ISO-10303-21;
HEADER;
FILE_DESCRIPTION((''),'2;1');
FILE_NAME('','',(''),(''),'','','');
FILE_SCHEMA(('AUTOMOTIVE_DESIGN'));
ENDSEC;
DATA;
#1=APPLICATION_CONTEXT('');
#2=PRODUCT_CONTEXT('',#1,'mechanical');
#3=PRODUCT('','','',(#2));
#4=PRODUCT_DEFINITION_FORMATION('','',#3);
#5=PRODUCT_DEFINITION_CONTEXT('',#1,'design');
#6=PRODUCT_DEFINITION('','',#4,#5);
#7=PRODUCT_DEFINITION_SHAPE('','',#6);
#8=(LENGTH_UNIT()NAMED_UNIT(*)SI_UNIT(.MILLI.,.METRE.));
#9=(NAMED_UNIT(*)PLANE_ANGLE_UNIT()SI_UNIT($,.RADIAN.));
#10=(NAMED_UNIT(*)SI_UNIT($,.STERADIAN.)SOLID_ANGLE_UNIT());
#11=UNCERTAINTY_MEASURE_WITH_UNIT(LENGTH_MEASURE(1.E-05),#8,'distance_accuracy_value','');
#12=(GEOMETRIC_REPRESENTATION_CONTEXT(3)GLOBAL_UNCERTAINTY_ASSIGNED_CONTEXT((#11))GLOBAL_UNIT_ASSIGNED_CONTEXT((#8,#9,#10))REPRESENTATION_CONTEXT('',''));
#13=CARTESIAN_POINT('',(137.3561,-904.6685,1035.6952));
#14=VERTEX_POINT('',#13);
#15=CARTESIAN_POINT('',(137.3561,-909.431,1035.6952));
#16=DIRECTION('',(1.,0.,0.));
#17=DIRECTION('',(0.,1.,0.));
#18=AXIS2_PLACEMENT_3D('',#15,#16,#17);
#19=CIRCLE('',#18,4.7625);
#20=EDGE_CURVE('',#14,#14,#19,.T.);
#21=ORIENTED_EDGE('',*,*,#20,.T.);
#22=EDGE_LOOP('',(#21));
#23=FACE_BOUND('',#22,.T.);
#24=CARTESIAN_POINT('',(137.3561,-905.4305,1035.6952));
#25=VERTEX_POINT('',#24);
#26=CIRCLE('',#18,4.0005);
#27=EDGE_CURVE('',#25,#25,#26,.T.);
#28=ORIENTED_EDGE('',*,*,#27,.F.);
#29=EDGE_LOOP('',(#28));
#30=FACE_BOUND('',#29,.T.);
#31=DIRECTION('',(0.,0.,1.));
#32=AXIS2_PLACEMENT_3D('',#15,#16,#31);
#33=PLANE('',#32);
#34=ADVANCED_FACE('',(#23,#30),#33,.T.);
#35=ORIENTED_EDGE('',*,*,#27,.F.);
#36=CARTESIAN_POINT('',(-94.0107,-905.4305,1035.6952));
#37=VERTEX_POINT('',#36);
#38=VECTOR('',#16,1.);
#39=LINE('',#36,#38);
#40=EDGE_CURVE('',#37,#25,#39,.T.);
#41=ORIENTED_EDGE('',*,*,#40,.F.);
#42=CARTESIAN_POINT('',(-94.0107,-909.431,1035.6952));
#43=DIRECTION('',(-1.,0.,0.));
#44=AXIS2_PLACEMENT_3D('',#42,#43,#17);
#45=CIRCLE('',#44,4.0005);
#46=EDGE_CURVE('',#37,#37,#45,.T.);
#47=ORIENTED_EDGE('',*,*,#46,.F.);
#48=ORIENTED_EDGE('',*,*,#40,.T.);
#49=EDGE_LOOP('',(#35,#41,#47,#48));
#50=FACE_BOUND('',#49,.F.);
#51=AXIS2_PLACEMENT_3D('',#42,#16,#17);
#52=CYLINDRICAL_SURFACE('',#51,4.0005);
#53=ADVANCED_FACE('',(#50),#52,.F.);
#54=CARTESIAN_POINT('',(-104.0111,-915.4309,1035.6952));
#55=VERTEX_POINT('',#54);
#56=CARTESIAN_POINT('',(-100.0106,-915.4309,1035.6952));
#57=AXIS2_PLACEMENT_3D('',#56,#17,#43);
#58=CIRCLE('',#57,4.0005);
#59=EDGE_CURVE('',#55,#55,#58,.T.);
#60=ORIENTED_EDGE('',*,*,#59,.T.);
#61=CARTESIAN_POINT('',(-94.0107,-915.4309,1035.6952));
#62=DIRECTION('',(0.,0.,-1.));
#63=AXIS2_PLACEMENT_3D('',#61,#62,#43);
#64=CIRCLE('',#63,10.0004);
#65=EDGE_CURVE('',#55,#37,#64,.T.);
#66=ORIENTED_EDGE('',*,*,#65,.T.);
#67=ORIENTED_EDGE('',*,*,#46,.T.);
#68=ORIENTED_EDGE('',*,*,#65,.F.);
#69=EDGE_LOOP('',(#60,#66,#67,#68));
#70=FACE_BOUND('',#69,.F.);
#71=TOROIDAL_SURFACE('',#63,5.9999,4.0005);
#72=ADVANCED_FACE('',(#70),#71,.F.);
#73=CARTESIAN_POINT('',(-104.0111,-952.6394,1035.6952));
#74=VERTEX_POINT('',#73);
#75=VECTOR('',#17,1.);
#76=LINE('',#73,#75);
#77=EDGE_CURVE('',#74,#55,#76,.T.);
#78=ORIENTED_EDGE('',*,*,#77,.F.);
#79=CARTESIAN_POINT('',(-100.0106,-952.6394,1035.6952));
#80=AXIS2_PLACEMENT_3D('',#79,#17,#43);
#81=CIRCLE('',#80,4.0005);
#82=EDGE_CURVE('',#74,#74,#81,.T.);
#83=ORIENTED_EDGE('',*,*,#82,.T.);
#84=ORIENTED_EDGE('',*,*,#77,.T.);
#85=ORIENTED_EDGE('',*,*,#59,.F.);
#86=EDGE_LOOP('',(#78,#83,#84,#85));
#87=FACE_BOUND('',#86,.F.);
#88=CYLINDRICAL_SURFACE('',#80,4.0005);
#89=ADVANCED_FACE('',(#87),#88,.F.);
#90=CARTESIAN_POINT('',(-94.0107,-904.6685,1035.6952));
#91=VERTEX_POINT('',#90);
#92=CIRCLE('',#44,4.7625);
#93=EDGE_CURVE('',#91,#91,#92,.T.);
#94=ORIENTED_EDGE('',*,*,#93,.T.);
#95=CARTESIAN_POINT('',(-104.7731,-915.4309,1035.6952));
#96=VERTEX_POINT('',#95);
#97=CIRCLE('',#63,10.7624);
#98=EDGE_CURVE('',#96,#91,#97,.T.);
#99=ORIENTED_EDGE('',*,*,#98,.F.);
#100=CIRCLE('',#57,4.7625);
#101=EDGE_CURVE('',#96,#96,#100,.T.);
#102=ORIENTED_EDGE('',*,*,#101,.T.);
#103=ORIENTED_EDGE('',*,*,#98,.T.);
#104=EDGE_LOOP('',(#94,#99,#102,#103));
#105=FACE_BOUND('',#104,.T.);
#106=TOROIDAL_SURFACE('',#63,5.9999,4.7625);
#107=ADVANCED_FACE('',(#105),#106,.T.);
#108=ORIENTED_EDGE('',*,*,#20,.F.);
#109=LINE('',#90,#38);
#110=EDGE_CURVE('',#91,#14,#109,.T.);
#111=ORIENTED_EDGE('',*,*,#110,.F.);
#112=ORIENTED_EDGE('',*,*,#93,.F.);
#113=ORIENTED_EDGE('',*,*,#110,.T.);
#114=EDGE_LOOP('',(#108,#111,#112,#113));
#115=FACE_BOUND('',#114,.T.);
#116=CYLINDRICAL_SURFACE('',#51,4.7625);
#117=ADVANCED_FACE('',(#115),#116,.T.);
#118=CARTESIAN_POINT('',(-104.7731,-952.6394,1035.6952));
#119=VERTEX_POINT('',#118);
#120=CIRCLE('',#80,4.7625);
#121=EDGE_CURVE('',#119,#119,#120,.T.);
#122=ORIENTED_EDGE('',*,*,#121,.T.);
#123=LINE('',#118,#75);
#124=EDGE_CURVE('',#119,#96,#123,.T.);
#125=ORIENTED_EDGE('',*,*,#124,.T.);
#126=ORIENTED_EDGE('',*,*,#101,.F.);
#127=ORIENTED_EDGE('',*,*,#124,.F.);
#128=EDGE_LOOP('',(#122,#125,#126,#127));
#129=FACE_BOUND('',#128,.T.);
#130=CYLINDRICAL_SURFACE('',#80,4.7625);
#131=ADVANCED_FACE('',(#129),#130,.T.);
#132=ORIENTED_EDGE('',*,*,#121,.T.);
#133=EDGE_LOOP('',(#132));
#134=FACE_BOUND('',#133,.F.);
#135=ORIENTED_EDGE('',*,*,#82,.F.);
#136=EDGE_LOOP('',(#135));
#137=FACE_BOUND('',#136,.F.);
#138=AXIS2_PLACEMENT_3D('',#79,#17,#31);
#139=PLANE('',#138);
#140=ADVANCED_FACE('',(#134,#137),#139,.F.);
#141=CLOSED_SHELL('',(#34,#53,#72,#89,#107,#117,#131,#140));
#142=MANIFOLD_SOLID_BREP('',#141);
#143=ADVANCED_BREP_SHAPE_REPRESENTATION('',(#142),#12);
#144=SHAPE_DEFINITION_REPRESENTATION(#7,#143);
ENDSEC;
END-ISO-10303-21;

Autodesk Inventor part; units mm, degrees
ref_plane "YZ Plane" through (0, 0, 0) normal (1, 0, 0) x (0, 1, 0)
ref_plane "XZ Plane" through (0, 0, 0) normal (0, 1, 0) x (-1, 0, 0)
ref_plane "Work Plane1" through (-100.0106, -952.6394, 1035.6952) normal (0, 1, 0) x (-1, 0, 0)
sketch "Sketch3" plane through (-100.0106, -952.6394, 1035.6952) normal (0, 1, 0) x (-1, 0, 0)
  circle A0 centre (0, 0) radius 4.7625
  circle A1 centre (0, 0) radius 4.0005
sketch3d "3D Sketch1"
  line L0 (-100.0106, -952.6394, 1035.6952) -> (-100.0106, -915.4309, 1035.6952)
  arc A0 (-100.0106, -915.4309, 1035.6952) -> (-94.0107, -909.431, 1035.6952) centre (-94.0107, -915.4309, 1035.6952) ccw
  line L1 (-94.0107, -909.431, 1035.6952) -> (137.3561, -909.431, 1035.6952)
  dimension "d4" = 5.9999
sweep "Sweep1" add profiles "Sketch3" path "3D Sketch1"
equation "\"OD\" = 9.525"
equation "\"t\" = 0.762"
equation "\"L\" = PL"
equation "\"ID\" = 8.001"
equation "\"PL\" = 278.003"
equation "\"Size_Designation\" = 1.2345"
properties material "Copper"
